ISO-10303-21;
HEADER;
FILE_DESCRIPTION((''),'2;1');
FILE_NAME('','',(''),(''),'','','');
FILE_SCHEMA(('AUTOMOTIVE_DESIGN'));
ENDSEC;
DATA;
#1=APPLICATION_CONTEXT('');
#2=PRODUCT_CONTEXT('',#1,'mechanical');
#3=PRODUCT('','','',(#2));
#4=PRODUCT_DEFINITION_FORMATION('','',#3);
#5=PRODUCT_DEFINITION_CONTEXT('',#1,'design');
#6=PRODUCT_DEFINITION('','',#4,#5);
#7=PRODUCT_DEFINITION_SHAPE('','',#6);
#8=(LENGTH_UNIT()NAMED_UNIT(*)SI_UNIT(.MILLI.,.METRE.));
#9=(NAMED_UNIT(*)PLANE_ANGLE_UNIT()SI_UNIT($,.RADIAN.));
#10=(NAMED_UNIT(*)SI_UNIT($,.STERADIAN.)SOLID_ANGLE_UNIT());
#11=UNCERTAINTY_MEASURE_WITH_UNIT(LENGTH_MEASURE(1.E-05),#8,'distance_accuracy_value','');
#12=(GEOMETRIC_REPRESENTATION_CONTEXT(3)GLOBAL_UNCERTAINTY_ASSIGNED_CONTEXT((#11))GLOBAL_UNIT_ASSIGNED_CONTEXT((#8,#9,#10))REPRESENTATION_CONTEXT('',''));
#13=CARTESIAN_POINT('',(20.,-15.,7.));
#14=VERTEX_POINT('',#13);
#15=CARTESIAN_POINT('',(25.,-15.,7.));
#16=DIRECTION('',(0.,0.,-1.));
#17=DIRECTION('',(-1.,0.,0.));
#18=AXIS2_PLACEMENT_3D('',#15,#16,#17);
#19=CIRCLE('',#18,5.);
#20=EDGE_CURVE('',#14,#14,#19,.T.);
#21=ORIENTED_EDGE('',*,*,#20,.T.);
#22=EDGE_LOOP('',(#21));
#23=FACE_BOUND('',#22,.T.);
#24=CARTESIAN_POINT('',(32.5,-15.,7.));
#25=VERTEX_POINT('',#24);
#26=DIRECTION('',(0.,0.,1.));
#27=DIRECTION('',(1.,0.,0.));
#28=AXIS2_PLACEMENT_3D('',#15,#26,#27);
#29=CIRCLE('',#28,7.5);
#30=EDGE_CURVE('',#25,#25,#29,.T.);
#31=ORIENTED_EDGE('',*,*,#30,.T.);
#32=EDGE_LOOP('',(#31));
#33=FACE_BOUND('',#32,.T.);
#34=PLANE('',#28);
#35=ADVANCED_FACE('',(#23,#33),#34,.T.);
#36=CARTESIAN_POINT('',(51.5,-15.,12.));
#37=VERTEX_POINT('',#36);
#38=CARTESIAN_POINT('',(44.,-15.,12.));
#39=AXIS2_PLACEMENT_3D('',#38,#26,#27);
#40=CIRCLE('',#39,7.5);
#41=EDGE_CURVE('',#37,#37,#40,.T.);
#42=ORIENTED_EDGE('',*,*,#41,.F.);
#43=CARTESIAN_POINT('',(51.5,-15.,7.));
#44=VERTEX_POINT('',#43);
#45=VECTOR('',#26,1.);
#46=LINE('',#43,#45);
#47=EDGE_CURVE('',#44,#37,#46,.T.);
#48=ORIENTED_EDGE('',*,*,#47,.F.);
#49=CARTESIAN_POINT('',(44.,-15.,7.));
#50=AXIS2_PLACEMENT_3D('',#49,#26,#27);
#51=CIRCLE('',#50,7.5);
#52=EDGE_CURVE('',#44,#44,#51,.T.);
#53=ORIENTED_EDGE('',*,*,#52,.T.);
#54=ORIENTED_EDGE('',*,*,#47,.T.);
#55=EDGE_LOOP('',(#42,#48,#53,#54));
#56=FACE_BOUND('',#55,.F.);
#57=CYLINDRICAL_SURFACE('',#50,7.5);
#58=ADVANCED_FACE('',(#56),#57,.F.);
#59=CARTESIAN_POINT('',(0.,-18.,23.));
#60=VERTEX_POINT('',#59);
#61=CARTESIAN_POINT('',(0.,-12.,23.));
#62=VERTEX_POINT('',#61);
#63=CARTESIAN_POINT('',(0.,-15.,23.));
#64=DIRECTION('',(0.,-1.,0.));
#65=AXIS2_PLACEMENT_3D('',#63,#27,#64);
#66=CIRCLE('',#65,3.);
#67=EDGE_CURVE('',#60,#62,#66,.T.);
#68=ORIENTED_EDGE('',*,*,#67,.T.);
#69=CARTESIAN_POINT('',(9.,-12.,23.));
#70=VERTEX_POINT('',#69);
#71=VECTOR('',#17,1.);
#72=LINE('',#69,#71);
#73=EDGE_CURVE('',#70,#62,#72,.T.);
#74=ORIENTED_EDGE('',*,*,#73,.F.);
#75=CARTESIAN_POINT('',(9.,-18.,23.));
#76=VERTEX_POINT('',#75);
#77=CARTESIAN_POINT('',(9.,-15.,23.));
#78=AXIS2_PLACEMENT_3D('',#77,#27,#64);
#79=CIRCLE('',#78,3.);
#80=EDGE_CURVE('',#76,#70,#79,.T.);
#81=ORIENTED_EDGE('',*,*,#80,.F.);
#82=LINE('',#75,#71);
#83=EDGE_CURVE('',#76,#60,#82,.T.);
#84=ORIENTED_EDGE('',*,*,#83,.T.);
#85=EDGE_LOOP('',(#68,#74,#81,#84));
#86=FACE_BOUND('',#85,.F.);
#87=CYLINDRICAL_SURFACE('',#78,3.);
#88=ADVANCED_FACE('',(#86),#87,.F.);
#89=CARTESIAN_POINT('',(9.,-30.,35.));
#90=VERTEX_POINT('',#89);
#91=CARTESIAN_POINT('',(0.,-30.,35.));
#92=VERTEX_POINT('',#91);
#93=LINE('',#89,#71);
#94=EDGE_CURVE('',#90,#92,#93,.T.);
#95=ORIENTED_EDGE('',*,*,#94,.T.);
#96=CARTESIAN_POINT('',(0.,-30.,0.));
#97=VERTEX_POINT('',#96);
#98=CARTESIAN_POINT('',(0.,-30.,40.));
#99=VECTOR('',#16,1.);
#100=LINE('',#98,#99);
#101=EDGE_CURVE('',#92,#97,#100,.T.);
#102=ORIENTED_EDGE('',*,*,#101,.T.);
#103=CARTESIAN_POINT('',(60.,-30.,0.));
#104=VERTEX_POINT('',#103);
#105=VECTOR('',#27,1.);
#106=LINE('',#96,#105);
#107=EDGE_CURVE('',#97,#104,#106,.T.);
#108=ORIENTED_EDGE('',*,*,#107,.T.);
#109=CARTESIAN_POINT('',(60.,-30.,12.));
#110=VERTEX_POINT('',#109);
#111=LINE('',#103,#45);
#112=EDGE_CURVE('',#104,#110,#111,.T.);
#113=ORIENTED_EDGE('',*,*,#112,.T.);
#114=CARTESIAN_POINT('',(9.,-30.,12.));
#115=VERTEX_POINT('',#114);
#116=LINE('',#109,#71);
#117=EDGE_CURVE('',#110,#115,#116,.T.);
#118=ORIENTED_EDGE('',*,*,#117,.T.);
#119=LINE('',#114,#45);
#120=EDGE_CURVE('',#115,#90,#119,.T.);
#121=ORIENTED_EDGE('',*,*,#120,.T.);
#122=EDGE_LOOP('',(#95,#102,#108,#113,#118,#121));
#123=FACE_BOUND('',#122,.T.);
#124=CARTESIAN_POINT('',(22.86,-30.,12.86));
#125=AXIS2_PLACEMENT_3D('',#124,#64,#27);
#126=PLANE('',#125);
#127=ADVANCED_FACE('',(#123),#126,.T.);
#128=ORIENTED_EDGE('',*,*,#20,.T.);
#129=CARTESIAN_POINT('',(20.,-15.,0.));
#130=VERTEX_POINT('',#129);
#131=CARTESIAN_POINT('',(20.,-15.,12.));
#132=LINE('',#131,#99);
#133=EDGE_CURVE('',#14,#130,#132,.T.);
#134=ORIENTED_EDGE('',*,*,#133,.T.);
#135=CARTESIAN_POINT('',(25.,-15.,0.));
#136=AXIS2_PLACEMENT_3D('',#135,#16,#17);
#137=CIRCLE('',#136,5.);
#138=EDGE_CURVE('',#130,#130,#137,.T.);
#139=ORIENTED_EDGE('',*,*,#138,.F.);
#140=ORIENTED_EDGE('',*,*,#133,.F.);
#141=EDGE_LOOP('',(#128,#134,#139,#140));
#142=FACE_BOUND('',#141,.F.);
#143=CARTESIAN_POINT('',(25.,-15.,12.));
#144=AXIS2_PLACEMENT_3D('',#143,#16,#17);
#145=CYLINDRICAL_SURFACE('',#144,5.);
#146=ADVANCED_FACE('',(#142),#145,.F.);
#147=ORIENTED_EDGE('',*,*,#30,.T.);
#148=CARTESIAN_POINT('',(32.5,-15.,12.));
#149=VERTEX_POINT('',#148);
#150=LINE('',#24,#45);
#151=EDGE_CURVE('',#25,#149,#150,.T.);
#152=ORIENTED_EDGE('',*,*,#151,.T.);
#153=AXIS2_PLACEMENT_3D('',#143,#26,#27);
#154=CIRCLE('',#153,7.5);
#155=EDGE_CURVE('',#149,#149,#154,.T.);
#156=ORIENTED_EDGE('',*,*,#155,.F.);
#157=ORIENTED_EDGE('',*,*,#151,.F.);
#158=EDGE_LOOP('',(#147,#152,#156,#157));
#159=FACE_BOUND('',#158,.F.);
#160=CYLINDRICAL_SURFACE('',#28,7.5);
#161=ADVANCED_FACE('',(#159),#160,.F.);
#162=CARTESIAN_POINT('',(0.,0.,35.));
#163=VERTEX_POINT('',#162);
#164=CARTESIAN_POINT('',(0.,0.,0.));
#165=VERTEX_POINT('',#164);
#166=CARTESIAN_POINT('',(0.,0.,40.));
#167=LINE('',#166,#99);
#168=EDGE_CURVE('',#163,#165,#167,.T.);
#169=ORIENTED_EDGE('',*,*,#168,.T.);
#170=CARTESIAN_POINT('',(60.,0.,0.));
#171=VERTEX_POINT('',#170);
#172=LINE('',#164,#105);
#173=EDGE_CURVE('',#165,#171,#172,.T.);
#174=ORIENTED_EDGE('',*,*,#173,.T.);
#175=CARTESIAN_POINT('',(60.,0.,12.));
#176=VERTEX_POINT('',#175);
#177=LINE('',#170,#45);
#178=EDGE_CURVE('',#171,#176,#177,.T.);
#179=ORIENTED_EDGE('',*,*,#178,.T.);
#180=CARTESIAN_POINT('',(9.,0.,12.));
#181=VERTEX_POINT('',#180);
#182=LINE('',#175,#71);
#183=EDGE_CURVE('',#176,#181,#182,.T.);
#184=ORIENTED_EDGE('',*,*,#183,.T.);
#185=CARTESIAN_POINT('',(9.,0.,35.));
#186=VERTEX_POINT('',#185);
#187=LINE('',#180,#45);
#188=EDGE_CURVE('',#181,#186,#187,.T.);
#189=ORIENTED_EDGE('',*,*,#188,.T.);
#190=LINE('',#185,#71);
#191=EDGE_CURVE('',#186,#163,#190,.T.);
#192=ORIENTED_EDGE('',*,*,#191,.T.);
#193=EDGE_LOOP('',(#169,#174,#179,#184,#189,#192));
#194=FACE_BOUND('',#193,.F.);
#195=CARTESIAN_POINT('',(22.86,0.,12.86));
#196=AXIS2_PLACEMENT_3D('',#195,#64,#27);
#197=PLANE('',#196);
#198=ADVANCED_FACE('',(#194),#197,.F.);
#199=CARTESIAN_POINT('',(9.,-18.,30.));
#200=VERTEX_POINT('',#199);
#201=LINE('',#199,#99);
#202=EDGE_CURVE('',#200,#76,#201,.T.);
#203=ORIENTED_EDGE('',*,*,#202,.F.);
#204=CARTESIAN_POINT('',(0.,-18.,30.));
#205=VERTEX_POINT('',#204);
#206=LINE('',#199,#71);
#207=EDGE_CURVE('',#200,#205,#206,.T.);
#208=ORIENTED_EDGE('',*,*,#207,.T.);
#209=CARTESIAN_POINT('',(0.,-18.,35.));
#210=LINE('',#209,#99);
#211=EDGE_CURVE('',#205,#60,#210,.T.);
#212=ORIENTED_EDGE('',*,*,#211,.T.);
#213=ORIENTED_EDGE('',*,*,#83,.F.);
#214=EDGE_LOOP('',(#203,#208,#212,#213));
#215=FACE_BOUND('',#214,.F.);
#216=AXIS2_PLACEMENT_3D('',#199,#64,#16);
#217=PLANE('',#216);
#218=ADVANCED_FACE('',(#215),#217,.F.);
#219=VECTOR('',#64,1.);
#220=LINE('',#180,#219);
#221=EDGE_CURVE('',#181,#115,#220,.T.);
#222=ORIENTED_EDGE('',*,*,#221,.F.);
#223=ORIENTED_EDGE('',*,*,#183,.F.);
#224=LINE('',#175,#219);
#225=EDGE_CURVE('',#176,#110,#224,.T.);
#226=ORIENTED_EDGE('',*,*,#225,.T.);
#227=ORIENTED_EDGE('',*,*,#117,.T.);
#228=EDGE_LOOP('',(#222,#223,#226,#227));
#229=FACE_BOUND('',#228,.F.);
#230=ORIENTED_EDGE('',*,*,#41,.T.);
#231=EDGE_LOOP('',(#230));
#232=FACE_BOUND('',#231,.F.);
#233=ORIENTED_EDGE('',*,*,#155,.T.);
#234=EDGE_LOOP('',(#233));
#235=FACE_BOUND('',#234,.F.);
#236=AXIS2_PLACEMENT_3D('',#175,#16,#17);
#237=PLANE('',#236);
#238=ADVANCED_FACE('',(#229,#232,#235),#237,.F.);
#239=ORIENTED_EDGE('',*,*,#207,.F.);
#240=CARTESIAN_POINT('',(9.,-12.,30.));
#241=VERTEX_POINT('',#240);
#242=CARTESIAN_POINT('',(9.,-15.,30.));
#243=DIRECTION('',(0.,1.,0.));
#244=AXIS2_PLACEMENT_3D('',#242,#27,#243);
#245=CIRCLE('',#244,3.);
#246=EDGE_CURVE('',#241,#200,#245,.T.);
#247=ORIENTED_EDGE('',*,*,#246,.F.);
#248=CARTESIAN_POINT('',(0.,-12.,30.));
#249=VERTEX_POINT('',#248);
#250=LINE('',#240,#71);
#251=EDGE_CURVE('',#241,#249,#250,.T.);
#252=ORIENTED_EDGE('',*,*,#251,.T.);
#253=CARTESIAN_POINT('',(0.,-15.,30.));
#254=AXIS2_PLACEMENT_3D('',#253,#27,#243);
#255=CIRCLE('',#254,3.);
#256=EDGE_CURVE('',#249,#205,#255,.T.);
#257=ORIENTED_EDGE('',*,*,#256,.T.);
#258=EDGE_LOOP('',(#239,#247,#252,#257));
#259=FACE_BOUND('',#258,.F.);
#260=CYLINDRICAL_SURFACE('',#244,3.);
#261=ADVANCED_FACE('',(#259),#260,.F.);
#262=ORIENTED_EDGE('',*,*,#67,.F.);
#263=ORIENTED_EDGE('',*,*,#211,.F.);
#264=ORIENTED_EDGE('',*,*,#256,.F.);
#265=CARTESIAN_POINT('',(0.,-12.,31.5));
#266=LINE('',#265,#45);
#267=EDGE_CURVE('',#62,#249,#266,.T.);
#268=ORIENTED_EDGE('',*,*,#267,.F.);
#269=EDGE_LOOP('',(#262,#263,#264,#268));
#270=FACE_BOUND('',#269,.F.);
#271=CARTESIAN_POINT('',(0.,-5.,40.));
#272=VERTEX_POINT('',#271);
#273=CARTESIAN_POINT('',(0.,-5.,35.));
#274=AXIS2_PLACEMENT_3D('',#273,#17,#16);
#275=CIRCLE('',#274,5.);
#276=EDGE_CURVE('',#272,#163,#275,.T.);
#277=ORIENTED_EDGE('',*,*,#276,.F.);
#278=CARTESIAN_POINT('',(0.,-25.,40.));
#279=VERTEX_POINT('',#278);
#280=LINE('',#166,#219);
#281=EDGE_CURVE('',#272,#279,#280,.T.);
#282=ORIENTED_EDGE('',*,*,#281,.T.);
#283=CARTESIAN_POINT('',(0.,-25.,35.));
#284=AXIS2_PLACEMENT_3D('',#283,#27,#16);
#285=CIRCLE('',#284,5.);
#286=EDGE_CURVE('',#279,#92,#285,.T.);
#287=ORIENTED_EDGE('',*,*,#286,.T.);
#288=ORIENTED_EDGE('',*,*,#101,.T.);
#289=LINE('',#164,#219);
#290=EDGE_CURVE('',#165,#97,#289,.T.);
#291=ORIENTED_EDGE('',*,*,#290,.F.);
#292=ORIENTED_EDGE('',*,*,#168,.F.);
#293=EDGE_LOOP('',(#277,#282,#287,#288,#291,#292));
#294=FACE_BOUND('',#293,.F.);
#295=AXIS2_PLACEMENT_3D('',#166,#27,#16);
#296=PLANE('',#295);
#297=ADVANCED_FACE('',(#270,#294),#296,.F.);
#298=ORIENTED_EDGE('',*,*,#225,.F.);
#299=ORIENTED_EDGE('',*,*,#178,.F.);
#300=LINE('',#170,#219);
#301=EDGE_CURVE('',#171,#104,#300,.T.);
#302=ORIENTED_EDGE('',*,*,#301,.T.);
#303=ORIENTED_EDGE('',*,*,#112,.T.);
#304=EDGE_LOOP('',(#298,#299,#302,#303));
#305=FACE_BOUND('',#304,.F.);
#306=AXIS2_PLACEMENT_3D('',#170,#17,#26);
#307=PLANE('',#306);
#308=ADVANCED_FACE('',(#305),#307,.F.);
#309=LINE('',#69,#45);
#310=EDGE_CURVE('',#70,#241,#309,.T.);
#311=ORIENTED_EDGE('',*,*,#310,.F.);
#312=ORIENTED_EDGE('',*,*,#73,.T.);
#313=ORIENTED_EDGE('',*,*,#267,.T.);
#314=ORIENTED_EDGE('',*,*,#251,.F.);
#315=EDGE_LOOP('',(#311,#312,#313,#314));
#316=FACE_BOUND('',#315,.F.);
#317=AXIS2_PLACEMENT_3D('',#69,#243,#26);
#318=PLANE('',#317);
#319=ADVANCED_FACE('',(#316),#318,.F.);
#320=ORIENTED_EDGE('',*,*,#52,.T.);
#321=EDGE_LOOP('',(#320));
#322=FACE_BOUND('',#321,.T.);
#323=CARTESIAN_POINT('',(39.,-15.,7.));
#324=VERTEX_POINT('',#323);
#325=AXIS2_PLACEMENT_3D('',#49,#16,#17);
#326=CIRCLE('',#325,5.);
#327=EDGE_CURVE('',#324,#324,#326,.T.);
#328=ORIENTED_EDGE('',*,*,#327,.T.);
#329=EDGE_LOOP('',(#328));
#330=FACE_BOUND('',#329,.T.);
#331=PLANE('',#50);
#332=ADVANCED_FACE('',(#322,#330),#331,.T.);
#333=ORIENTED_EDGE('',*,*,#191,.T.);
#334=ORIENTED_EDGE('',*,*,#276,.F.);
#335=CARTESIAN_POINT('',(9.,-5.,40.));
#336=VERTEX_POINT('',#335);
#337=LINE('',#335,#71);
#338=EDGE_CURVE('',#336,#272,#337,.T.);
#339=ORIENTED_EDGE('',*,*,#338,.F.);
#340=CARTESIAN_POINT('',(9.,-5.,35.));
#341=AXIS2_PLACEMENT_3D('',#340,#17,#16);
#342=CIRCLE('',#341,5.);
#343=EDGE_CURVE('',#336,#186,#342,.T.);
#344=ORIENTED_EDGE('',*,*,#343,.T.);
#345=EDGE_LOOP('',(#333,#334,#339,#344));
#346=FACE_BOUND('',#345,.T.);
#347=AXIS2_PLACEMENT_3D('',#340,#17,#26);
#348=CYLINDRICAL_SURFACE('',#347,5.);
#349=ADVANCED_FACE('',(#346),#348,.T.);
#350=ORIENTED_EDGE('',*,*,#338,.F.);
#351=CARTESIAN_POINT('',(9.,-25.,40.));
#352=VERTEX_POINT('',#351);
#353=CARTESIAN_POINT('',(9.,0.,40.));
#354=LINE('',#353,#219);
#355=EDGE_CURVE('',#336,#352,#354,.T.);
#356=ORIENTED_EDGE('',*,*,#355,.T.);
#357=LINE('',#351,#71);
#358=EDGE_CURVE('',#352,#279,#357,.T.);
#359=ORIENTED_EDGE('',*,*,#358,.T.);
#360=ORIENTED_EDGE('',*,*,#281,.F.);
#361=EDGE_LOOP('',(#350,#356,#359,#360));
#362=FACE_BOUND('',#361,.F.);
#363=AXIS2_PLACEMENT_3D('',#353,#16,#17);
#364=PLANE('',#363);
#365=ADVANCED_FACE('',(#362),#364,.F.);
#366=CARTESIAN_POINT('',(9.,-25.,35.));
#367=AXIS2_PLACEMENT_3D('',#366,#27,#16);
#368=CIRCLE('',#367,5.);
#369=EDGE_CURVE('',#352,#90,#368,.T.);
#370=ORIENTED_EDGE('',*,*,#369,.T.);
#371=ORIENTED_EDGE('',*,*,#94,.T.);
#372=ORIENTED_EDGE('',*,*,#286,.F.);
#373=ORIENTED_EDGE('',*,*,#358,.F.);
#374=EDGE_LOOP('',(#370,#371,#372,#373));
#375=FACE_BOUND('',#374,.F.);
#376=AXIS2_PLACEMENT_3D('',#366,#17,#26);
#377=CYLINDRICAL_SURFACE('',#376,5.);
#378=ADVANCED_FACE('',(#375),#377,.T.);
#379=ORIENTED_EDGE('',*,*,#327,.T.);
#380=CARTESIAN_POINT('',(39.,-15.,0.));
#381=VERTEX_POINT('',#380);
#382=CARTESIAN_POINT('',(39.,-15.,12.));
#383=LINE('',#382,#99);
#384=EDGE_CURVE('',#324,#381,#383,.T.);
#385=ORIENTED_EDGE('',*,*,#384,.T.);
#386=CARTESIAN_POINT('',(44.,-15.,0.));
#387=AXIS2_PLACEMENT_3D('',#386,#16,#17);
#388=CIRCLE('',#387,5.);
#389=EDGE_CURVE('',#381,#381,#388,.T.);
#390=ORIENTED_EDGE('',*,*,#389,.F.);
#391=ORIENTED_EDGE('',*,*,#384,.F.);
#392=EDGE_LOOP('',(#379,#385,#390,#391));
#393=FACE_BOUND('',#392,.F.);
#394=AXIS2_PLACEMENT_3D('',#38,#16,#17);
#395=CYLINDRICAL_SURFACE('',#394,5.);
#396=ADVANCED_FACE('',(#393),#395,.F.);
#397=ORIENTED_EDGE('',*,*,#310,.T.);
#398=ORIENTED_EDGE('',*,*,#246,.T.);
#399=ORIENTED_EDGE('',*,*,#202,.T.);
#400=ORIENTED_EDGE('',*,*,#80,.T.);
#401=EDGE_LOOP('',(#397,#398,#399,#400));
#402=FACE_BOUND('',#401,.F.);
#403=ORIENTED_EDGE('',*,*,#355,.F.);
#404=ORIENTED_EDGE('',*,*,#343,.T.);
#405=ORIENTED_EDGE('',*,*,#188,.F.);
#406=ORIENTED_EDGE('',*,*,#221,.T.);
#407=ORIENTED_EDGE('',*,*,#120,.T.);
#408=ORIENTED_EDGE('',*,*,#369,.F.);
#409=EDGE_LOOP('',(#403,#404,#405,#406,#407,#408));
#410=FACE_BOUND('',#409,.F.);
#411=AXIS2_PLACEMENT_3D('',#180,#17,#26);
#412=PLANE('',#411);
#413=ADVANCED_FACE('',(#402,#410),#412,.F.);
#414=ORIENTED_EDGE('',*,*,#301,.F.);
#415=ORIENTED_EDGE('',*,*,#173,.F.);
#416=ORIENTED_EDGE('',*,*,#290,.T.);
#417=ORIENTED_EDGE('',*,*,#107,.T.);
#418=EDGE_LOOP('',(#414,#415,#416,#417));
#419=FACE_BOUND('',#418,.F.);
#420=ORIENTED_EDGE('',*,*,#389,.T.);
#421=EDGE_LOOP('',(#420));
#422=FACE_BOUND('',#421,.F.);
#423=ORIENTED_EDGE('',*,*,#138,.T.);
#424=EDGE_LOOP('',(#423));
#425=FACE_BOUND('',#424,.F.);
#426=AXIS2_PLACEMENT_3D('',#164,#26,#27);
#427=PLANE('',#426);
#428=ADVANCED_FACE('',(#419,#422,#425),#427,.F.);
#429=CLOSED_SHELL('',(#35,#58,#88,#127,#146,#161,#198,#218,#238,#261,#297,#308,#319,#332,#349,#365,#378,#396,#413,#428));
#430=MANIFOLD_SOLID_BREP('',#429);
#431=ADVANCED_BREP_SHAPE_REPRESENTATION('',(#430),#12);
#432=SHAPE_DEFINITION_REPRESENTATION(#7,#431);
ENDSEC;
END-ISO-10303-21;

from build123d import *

# Parameters (mm, degrees)
F1_DEPTH       = 30
F2_R           = 5
F3_R           = 5
F6_D           = 10
F6_CBORE_D     = 15
F6_CBORE_DEPTH = 5
F7_D           = 10
F7_CBORE_D     = 15
F7_CBORE_DEPTH = 5
F9_DEPTH       = 9.001


with BuildPart() as f1:
    # F0 (on Front) → F1 (new body)
    with BuildSketch(Plane.XZ):
        Polygon((0, 0), (60, 0), (60, 12), (9, 12), (9, 40), (0, 40), align=None)
    extrude(amount=F1_DEPTH)

    # F2
    f2_edges = [f1.edges().sort_by_distance(p)[0] for p in [
        (4.5, -30, 40),
    ]]
    fillet(f2_edges, radius=F2_R)

    # F3
    f3_edges = [f1.edges().sort_by_distance(p)[0] for p in [
        (4.5, 0, 40),
    ]]
    fillet(f3_edges, radius=F3_R)

    # F6 (through all)
    with Locations(Plane.XY.offset(12)):
        with Locations((44, -15)):
            CounterBoreHole(F6_D / 2, F6_CBORE_D / 2, F6_CBORE_DEPTH)

    # F7 (through all)
    with Locations(Plane.XY.offset(12)):
        with Locations((25, -15)):
            CounterBoreHole(F7_D / 2, F7_CBORE_D / 2, F7_CBORE_DEPTH)

    # F8 (on face) → F9 (cut, through all)
    with BuildSketch(Plane.YZ.offset(9)):
        with BuildLine():
            ThreePointArc((-12, 30), (-15, 33), (-18, 30))
            Line((-18, 30), (-18, 23))
            ThreePointArc((-18, 23), (-15, 20), (-12, 23))
            Line((-12, 23), (-12, 30))
        make_face()
    extrude(amount=-F9_DEPTH, mode=Mode.SUBTRACT)


solid = f1.part
